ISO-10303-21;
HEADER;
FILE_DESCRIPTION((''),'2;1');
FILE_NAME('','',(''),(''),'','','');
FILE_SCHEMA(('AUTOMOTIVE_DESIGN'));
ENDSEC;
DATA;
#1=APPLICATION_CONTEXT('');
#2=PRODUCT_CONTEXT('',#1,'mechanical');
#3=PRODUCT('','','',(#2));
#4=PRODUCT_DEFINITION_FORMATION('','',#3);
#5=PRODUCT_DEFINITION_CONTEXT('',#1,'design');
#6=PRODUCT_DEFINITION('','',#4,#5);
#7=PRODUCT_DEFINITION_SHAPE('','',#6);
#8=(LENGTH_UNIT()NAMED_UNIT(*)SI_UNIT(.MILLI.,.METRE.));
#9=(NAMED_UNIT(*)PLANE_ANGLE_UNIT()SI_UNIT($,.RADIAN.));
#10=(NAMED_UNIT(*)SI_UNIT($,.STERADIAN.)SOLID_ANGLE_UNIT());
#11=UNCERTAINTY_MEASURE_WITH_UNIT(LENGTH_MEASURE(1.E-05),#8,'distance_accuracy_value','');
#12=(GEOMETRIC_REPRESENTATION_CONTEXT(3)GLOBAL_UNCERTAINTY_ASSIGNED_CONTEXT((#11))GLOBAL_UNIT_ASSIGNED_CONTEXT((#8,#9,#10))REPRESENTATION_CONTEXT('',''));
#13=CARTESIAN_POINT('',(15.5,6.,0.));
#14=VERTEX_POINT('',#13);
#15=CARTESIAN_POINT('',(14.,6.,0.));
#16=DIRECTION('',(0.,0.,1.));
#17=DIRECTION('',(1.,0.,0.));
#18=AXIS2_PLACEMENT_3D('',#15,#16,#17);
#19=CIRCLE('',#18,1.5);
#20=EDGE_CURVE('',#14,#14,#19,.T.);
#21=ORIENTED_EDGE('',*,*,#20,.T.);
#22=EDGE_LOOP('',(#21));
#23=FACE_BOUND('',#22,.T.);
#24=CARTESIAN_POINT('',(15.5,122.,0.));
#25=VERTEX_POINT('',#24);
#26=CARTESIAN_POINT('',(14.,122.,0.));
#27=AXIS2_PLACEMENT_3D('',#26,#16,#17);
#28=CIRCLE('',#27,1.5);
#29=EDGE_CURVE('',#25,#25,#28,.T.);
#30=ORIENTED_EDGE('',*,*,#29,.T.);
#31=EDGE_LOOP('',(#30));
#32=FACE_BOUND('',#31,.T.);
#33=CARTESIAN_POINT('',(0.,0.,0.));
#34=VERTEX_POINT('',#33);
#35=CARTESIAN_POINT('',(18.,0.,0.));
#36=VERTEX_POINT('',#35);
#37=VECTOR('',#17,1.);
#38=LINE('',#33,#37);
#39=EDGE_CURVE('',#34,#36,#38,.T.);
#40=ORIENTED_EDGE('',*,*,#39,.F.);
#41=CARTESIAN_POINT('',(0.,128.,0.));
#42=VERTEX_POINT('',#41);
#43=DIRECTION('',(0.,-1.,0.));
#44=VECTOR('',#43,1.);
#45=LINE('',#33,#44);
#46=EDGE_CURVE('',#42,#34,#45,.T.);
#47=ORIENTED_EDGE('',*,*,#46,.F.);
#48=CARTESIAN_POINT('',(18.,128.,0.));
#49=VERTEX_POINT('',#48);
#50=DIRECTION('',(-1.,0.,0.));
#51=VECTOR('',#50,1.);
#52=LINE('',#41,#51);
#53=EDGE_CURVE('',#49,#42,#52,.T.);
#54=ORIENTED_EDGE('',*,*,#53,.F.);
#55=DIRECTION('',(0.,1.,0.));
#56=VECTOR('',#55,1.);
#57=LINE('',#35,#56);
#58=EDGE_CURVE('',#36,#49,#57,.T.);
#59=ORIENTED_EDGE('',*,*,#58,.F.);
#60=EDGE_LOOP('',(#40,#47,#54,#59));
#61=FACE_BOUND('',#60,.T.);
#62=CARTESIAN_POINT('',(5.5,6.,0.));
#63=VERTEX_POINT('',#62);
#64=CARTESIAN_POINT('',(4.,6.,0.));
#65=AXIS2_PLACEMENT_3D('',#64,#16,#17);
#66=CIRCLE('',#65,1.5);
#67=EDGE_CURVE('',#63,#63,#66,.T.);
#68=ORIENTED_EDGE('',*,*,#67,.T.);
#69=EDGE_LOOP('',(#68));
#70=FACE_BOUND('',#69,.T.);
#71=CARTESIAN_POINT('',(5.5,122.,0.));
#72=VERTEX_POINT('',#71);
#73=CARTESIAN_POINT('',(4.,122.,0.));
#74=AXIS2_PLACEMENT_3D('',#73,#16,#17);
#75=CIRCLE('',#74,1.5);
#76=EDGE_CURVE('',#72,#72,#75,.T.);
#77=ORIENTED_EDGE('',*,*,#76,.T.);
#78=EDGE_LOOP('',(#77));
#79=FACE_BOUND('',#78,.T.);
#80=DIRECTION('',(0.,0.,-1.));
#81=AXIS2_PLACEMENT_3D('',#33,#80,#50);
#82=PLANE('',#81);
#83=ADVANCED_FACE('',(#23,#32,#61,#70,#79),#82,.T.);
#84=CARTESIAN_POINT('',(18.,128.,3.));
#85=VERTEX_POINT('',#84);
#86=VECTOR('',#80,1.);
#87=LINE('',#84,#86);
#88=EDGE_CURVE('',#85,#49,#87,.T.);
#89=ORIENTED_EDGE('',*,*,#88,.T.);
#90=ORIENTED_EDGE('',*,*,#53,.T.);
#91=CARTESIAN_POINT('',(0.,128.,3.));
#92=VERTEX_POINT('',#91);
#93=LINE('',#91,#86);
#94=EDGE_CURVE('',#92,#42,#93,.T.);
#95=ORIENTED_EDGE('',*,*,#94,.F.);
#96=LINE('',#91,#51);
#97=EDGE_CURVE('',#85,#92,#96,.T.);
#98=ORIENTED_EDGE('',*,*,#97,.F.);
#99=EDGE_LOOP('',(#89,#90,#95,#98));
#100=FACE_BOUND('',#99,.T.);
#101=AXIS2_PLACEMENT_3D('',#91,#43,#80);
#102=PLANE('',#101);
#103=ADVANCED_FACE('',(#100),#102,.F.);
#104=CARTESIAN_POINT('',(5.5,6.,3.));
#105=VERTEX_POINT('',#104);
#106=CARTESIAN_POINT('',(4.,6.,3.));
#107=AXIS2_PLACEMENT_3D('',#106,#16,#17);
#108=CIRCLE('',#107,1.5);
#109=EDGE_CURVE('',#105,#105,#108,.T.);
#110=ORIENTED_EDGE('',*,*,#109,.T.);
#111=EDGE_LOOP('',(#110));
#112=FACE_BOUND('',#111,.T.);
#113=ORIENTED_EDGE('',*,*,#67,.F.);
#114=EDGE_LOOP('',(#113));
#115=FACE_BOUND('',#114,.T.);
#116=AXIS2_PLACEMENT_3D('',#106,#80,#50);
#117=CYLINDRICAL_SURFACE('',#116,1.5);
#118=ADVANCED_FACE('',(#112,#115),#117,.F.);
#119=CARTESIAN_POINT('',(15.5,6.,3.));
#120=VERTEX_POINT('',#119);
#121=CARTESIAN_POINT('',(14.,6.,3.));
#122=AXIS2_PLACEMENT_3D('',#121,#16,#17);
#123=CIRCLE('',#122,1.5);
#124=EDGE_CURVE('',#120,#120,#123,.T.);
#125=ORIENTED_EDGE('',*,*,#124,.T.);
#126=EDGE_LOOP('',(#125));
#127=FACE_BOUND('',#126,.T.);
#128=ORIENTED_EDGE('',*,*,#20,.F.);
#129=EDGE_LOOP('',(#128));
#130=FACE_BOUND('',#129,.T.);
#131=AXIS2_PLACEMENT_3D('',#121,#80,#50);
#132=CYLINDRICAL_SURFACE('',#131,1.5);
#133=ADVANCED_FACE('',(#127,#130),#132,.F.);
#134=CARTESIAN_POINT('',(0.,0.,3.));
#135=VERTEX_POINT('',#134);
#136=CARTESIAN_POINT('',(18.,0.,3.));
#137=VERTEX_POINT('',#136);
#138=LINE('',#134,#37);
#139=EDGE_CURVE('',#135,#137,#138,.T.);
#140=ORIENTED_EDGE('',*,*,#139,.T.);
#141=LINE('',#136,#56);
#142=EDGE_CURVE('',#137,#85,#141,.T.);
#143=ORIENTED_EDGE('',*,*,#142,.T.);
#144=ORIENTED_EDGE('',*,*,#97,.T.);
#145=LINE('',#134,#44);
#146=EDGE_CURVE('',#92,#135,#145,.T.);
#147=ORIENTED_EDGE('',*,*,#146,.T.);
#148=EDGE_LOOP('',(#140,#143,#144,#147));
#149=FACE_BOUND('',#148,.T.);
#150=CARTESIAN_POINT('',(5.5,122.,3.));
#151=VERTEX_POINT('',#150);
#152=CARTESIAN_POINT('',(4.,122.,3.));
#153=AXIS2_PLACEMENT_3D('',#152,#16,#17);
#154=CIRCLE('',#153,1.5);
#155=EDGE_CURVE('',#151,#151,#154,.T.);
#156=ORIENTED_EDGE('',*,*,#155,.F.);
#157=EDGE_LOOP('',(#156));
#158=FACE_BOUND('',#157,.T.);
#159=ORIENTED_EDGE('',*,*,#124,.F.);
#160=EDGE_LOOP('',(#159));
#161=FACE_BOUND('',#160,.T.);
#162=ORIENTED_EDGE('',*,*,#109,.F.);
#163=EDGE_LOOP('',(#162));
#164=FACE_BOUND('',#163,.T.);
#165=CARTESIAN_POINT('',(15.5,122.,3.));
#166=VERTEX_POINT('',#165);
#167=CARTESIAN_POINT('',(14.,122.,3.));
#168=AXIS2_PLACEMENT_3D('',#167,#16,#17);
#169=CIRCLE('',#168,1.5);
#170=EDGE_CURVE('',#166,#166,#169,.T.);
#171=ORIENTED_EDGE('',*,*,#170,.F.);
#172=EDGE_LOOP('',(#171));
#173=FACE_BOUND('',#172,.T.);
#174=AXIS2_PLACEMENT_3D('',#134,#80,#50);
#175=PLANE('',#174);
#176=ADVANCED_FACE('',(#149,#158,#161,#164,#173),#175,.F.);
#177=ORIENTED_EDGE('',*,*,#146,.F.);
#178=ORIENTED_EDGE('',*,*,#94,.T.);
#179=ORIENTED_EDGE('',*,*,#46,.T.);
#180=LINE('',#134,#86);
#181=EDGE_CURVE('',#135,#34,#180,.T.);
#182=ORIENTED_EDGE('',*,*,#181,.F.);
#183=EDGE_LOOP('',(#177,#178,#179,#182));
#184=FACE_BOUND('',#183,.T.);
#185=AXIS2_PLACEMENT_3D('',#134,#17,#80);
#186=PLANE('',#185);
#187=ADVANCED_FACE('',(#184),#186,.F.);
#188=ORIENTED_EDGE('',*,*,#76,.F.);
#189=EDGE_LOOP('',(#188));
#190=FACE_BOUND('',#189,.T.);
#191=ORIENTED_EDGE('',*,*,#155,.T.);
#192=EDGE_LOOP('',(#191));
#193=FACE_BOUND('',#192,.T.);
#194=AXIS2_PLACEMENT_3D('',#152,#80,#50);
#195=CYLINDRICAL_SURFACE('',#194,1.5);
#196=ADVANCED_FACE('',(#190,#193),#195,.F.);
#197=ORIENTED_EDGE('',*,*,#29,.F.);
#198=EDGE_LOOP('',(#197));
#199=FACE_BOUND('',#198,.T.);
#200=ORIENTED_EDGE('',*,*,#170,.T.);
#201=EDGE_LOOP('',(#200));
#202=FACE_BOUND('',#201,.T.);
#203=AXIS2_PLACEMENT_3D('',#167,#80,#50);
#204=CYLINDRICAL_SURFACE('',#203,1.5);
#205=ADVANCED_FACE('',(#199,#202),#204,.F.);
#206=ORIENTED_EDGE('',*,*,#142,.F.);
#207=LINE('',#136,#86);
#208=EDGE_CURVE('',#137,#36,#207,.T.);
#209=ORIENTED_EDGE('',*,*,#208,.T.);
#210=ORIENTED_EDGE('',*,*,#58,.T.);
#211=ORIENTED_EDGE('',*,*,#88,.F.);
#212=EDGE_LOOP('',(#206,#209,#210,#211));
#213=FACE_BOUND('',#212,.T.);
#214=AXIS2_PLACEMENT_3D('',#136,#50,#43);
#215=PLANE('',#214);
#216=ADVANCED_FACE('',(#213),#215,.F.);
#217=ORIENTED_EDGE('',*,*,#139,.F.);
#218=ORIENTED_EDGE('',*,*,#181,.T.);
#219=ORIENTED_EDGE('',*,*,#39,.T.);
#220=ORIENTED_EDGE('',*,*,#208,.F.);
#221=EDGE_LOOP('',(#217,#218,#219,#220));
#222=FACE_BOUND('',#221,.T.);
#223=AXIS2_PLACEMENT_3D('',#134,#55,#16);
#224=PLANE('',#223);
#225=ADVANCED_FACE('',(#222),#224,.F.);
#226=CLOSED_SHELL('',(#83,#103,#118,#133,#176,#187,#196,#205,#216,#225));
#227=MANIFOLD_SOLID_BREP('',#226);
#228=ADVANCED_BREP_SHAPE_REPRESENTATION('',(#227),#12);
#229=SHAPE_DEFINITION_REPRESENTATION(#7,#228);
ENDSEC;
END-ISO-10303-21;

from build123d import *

# Parameters (mm, degrees)
SKETCH1_W           = 18
SKETCH1_H           = 128
SKETCH1_R           = 1.5
BOSS_EXTRUDE1_DEPTH = 3


with BuildPart() as part:
    # Sketch1 → Boss-Extrude1 (new body)
    with BuildSketch(Plane.XY):
        with Locations((9, 64)):
            Rectangle(SKETCH1_W, SKETCH1_H)
        with Locations((4, 6)):
            Circle(SKETCH1_R, mode=Mode.SUBTRACT)
        with Locations((14, 6)):
            Circle(SKETCH1_R, mode=Mode.SUBTRACT)
        with Locations((4, 122)):
            Circle(SKETCH1_R, mode=Mode.SUBTRACT)
        with Locations((14, 122)):
            Circle(SKETCH1_R, mode=Mode.SUBTRACT)
    extrude(amount=BOSS_EXTRUDE1_DEPTH)


solid = part.part
